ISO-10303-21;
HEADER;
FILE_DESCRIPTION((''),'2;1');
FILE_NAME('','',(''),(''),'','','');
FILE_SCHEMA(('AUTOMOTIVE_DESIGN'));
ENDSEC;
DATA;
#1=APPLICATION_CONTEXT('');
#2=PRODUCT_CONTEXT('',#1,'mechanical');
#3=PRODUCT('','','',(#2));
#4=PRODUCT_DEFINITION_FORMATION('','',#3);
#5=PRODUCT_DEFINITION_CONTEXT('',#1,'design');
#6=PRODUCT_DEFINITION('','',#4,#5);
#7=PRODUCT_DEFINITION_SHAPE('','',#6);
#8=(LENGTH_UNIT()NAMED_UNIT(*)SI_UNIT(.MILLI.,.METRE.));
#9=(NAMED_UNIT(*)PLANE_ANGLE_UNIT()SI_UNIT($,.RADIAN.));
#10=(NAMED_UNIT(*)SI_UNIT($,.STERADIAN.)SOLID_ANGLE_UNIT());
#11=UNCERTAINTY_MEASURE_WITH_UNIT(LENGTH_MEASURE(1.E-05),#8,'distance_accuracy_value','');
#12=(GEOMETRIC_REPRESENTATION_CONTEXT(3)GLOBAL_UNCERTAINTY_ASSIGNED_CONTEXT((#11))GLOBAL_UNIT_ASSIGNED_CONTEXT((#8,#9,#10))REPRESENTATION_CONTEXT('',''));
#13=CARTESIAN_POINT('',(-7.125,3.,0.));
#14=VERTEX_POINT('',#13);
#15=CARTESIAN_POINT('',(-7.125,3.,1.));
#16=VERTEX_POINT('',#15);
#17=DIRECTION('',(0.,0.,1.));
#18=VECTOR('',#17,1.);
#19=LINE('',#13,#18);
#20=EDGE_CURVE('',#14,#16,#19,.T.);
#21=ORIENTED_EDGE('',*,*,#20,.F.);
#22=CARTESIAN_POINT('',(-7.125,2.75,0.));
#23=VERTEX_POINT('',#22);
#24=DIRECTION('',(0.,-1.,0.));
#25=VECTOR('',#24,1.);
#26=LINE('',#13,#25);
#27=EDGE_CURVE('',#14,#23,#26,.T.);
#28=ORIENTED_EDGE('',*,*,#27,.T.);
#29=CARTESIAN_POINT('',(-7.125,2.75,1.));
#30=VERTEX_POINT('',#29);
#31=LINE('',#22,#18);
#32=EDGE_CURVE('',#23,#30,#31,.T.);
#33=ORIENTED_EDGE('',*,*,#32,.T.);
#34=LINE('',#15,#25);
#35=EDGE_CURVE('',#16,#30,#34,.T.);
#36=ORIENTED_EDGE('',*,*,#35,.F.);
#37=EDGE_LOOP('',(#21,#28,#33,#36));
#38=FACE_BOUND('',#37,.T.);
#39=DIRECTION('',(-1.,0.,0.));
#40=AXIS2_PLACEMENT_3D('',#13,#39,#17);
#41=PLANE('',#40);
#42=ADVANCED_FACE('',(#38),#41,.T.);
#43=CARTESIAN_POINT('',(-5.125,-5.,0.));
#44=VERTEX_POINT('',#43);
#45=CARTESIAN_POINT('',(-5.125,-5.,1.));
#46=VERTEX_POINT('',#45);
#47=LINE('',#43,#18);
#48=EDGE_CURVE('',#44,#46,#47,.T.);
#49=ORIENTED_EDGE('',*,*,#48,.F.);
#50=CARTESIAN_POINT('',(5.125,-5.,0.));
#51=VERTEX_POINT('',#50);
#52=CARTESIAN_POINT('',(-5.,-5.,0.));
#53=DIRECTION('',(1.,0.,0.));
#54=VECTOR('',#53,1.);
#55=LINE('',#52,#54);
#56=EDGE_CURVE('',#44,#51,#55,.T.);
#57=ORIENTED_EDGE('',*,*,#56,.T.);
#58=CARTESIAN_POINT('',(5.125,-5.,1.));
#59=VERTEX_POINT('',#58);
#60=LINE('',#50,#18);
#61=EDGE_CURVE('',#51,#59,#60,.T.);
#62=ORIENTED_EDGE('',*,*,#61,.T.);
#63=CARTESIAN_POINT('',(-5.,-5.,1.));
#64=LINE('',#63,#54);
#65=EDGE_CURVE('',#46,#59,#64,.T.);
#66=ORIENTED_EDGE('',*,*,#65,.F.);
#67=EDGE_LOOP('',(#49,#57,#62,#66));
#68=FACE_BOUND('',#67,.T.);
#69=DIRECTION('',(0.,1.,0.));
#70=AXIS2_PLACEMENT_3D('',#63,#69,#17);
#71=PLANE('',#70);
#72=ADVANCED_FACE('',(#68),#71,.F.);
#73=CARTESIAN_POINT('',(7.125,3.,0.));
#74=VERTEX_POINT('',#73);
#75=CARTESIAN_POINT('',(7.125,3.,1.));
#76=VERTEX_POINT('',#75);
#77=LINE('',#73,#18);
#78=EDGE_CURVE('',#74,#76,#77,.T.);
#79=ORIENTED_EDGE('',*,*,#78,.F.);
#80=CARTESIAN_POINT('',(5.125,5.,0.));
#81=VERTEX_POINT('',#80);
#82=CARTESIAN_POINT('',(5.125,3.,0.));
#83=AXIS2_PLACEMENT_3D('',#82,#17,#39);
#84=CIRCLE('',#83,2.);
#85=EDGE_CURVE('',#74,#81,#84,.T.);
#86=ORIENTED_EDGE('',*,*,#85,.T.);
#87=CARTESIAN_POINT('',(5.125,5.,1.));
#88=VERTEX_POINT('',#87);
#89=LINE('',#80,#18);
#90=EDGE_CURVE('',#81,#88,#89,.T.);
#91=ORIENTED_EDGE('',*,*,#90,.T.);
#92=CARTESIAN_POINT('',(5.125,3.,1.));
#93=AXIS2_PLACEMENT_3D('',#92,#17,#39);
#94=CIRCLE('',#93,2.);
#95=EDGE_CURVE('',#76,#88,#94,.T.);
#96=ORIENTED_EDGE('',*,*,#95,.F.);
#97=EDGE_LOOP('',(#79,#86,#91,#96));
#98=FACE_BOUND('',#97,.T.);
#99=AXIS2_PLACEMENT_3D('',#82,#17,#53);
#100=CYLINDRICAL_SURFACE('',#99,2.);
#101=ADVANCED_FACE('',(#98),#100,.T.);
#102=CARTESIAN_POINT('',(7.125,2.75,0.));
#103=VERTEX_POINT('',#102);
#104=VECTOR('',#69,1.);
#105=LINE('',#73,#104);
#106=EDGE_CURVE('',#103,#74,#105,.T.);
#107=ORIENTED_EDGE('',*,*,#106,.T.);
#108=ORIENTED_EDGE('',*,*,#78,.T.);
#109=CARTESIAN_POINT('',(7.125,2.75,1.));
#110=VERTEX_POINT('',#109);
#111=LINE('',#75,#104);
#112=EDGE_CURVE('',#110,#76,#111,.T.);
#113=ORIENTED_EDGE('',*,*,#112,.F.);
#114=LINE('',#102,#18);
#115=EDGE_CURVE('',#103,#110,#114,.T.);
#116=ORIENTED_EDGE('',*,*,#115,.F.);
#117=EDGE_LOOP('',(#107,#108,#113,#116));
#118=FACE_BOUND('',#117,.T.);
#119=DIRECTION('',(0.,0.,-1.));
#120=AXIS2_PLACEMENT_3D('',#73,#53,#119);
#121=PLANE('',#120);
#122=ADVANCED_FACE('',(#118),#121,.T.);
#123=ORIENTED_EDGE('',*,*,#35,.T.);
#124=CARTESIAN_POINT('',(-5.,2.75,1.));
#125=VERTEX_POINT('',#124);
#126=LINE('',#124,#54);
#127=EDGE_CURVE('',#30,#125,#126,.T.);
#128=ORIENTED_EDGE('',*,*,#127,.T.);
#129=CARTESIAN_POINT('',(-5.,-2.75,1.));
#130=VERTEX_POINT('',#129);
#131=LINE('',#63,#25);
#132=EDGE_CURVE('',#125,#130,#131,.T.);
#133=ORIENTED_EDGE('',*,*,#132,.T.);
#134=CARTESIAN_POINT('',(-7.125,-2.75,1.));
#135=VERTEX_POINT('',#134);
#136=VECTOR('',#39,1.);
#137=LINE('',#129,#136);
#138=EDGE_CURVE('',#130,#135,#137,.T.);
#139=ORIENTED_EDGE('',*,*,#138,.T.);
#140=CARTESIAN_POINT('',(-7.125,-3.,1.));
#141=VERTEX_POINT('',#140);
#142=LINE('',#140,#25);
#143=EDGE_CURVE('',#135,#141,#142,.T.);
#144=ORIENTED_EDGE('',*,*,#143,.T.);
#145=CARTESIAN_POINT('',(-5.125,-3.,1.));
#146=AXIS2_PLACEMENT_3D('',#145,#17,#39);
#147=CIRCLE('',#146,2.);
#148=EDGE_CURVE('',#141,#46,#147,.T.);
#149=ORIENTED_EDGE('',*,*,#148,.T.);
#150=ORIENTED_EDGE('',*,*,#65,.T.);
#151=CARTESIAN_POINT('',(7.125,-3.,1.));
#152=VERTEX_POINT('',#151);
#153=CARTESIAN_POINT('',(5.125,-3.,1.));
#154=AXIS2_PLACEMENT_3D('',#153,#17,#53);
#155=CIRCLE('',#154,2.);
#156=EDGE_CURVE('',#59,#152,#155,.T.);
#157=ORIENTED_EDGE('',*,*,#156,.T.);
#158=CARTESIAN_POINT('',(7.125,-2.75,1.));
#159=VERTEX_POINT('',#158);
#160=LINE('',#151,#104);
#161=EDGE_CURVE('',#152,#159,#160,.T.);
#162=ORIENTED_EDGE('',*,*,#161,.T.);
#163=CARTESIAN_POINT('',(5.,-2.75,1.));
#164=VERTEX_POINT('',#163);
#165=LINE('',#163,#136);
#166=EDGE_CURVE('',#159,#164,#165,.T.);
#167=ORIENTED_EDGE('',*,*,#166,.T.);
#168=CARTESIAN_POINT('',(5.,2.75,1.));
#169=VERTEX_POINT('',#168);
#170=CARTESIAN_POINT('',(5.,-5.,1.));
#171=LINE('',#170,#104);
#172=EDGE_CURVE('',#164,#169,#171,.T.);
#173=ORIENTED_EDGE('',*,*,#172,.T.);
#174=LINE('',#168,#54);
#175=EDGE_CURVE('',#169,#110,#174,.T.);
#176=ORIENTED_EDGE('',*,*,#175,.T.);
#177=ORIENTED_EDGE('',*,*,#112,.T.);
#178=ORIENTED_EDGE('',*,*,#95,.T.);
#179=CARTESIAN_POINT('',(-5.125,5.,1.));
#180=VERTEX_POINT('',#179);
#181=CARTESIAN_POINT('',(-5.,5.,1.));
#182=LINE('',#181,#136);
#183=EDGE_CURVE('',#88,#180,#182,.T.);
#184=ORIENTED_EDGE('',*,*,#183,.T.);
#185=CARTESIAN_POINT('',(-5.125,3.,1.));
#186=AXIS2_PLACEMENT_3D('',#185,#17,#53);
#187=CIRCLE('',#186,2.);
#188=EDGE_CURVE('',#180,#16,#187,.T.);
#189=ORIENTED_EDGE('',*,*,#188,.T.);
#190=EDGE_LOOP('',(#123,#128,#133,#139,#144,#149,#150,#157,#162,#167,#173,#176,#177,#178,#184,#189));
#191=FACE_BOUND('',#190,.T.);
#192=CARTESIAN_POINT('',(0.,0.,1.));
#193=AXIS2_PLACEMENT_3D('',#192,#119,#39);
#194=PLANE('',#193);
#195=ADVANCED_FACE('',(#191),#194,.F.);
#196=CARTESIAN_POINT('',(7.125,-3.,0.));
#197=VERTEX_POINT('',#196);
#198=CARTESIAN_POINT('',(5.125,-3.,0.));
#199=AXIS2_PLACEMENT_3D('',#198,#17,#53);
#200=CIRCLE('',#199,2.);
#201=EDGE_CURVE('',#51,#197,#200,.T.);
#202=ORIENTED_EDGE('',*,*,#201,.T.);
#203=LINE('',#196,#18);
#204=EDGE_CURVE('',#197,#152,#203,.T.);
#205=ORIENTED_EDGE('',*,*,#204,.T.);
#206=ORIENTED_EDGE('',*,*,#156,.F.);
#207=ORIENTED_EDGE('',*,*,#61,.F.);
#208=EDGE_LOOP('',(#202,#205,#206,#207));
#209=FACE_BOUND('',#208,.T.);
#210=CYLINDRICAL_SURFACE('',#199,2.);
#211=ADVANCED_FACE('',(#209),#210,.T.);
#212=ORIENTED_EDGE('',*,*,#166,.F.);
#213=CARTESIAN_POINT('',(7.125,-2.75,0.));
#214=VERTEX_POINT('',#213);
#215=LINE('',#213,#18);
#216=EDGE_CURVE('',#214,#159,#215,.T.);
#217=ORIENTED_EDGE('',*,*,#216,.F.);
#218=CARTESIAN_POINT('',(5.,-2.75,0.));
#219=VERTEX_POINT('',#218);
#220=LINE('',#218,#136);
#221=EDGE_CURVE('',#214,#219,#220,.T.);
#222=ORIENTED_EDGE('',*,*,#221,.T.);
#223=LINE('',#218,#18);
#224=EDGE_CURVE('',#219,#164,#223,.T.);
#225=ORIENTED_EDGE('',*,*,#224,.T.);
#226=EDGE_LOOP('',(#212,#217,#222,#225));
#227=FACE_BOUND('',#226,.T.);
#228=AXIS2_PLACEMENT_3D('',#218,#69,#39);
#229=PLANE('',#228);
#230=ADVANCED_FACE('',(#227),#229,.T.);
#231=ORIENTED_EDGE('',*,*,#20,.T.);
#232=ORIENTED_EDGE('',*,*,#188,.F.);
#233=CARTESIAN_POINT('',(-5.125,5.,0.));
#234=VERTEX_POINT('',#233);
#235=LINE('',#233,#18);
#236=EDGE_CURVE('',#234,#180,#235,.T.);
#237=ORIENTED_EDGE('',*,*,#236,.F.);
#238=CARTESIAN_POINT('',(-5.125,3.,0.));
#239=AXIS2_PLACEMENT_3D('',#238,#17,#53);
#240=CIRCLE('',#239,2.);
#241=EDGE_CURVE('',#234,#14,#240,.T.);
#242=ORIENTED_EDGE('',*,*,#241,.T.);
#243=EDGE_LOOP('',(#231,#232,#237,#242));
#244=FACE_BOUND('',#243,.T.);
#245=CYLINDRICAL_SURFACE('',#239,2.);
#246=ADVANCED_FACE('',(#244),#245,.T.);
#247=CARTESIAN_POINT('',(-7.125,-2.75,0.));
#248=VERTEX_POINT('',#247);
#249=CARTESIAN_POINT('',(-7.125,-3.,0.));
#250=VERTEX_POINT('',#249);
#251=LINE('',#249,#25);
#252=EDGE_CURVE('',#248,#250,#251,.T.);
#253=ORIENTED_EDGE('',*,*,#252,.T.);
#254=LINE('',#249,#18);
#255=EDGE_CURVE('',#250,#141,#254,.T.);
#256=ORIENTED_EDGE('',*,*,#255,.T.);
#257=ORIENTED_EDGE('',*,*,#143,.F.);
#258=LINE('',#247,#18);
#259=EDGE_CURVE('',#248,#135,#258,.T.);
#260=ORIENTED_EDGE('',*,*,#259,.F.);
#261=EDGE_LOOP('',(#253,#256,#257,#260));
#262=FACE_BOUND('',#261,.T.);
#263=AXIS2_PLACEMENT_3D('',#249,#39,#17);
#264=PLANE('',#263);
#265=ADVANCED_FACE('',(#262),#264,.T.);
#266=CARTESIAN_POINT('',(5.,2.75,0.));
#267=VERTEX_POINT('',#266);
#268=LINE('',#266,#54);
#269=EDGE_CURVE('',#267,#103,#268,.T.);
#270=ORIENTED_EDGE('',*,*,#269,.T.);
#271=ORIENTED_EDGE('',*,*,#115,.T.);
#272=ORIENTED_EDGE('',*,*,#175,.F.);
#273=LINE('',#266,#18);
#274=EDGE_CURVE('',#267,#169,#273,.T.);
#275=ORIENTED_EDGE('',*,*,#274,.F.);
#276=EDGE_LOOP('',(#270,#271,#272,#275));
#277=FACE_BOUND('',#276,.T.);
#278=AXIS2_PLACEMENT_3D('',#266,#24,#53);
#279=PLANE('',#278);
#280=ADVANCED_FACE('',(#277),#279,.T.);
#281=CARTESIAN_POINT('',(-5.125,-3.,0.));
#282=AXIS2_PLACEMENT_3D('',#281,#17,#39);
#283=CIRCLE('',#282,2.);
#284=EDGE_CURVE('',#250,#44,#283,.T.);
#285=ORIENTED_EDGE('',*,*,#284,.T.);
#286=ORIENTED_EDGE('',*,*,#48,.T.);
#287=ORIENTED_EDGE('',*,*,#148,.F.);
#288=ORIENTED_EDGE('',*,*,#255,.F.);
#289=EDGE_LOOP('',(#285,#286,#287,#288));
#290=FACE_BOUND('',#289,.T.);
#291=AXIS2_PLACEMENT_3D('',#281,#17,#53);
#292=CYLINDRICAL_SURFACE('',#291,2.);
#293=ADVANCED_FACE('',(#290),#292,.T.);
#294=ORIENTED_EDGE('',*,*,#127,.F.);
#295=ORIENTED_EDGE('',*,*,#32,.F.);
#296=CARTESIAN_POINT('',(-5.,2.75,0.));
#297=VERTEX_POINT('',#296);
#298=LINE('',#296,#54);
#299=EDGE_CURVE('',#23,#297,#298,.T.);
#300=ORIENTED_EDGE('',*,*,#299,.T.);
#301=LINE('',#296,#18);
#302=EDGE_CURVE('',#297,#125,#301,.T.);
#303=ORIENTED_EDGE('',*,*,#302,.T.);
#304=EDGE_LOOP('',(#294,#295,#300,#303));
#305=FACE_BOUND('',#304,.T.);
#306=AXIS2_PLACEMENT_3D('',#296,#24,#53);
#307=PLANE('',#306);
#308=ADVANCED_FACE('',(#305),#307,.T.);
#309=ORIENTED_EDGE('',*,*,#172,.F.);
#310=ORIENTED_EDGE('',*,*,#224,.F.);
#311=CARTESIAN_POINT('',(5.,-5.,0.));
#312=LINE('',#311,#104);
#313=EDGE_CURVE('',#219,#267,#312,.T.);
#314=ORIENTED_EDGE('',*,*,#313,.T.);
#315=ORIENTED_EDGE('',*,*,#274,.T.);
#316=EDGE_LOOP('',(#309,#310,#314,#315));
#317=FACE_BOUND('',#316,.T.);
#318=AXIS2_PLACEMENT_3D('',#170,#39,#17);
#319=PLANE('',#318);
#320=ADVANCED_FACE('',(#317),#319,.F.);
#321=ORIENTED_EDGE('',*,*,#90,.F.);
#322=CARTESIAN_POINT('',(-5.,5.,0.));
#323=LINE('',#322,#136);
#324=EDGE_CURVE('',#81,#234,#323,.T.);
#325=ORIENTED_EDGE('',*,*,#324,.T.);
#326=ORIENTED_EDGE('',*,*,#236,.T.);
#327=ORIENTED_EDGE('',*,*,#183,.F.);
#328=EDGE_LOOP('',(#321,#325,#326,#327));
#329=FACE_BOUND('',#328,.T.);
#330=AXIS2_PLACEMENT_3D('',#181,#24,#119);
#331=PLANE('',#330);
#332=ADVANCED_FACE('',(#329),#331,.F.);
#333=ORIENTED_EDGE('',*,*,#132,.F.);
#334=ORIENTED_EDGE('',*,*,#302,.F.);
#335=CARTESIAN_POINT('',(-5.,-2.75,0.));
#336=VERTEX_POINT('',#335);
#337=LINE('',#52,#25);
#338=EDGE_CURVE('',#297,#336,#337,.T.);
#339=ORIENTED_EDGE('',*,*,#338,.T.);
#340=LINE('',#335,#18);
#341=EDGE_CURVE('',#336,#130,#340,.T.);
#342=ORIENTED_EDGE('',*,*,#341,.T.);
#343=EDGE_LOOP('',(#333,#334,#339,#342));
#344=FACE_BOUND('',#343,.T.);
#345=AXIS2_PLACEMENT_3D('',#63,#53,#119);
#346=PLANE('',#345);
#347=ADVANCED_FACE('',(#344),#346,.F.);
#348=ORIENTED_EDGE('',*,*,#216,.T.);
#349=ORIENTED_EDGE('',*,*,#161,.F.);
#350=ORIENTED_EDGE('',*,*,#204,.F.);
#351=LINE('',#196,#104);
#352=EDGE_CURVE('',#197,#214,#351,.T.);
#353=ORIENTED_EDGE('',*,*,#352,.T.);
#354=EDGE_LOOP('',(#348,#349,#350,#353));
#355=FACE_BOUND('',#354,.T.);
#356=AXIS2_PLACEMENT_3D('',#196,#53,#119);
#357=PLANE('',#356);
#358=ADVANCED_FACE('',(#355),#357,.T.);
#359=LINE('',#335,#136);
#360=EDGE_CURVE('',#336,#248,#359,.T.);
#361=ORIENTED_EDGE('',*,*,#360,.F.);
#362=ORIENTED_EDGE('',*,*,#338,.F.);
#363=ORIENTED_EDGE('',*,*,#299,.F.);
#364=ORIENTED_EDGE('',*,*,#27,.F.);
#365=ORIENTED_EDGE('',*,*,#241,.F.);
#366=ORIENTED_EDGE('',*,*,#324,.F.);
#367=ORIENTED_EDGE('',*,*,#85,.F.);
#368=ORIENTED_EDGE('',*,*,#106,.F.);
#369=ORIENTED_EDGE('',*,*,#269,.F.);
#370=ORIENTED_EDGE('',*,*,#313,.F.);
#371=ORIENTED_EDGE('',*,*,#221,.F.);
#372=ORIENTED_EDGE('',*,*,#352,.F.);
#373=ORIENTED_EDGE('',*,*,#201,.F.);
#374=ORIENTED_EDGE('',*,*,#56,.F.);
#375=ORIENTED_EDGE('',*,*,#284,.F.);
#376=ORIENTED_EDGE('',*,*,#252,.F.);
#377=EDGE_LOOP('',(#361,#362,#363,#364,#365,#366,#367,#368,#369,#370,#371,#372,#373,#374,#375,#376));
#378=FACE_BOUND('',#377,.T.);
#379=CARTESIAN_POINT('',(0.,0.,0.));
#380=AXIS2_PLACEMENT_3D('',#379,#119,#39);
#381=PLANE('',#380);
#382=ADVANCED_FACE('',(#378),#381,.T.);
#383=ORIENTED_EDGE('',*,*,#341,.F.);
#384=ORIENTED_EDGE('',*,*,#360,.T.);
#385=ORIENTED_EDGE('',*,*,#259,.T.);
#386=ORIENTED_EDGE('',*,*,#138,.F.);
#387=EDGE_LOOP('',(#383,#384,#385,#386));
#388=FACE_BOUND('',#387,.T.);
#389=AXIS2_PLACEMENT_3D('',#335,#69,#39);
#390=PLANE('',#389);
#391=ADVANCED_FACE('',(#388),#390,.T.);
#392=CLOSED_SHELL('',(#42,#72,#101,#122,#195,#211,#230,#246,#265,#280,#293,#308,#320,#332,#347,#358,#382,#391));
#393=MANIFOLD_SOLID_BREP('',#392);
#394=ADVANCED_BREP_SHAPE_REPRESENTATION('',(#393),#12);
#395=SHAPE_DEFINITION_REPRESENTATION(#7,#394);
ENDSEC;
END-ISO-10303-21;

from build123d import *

# Parameters (mm, degrees)
CROQUIS1_W              = 10
CROQUIS1_H              = 10
SALIENTE_EXTRUIR1_DEPTH = 1
SALIENTE_EXTRUIR2_DEPTH = 1


with BuildPart() as part:
    # Croquis1 → Saliente-Extruir1 (new body)
    with BuildSketch(Plane.XY):
        Rectangle(CROQUIS1_W, CROQUIS1_H)
    extrude(amount=SALIENTE_EXTRUIR1_DEPTH)

    # Croquis2 → Saliente-Extruir2 (add, through all)
    with BuildSketch(Plane.XY.offset(1)):
        with BuildLine():
            Line((-5, 5), (-5.125, 5))
            ThreePointArc((-5.125, 5), (-6.539213562, 4.414213562), (-7.125, 3))
            Line((-7.125, 3), (-7.125, 2.75))
            Line((-7.125, 2.75), (-5, 2.75))
            Line((-5, 2.75), (-5, 5))
        make_face()
        with BuildLine():
            Line((5, 2.75), (7.125, 2.75))
            Line((7.125, 2.75), (7.125, 3))
            ThreePointArc((7.125, 3), (6.539213562, 4.414213562), (5.125, 5))
            Line((5.125, 5), (5, 5))
            Line((5, 5), (5, 2.75))
        make_face()
        with BuildLine():
            Line((5, -5), (5.125, -5))
            ThreePointArc((5.125, -5), (6.539213562, -4.414213562), (7.125, -3))
            Line((7.125, -3), (7.125, -2.75))
            Line((7.125, -2.75), (5, -2.75))
            Line((5, -2.75), (5, -5))
        make_face()
        with BuildLine():
            Line((-5, -2.75), (-7.125, -2.75))
            Line((-7.125, -2.75), (-7.125, -3))
            ThreePointArc((-7.125, -3), (-6.539213562, -4.414213562), (-5.125, -5))
            Line((-5.125, -5), (-5, -5))
            Line((-5, -5), (-5, -2.75))
        make_face()
    extrude(amount=-SALIENTE_EXTRUIR2_DEPTH)


solid = part.part
